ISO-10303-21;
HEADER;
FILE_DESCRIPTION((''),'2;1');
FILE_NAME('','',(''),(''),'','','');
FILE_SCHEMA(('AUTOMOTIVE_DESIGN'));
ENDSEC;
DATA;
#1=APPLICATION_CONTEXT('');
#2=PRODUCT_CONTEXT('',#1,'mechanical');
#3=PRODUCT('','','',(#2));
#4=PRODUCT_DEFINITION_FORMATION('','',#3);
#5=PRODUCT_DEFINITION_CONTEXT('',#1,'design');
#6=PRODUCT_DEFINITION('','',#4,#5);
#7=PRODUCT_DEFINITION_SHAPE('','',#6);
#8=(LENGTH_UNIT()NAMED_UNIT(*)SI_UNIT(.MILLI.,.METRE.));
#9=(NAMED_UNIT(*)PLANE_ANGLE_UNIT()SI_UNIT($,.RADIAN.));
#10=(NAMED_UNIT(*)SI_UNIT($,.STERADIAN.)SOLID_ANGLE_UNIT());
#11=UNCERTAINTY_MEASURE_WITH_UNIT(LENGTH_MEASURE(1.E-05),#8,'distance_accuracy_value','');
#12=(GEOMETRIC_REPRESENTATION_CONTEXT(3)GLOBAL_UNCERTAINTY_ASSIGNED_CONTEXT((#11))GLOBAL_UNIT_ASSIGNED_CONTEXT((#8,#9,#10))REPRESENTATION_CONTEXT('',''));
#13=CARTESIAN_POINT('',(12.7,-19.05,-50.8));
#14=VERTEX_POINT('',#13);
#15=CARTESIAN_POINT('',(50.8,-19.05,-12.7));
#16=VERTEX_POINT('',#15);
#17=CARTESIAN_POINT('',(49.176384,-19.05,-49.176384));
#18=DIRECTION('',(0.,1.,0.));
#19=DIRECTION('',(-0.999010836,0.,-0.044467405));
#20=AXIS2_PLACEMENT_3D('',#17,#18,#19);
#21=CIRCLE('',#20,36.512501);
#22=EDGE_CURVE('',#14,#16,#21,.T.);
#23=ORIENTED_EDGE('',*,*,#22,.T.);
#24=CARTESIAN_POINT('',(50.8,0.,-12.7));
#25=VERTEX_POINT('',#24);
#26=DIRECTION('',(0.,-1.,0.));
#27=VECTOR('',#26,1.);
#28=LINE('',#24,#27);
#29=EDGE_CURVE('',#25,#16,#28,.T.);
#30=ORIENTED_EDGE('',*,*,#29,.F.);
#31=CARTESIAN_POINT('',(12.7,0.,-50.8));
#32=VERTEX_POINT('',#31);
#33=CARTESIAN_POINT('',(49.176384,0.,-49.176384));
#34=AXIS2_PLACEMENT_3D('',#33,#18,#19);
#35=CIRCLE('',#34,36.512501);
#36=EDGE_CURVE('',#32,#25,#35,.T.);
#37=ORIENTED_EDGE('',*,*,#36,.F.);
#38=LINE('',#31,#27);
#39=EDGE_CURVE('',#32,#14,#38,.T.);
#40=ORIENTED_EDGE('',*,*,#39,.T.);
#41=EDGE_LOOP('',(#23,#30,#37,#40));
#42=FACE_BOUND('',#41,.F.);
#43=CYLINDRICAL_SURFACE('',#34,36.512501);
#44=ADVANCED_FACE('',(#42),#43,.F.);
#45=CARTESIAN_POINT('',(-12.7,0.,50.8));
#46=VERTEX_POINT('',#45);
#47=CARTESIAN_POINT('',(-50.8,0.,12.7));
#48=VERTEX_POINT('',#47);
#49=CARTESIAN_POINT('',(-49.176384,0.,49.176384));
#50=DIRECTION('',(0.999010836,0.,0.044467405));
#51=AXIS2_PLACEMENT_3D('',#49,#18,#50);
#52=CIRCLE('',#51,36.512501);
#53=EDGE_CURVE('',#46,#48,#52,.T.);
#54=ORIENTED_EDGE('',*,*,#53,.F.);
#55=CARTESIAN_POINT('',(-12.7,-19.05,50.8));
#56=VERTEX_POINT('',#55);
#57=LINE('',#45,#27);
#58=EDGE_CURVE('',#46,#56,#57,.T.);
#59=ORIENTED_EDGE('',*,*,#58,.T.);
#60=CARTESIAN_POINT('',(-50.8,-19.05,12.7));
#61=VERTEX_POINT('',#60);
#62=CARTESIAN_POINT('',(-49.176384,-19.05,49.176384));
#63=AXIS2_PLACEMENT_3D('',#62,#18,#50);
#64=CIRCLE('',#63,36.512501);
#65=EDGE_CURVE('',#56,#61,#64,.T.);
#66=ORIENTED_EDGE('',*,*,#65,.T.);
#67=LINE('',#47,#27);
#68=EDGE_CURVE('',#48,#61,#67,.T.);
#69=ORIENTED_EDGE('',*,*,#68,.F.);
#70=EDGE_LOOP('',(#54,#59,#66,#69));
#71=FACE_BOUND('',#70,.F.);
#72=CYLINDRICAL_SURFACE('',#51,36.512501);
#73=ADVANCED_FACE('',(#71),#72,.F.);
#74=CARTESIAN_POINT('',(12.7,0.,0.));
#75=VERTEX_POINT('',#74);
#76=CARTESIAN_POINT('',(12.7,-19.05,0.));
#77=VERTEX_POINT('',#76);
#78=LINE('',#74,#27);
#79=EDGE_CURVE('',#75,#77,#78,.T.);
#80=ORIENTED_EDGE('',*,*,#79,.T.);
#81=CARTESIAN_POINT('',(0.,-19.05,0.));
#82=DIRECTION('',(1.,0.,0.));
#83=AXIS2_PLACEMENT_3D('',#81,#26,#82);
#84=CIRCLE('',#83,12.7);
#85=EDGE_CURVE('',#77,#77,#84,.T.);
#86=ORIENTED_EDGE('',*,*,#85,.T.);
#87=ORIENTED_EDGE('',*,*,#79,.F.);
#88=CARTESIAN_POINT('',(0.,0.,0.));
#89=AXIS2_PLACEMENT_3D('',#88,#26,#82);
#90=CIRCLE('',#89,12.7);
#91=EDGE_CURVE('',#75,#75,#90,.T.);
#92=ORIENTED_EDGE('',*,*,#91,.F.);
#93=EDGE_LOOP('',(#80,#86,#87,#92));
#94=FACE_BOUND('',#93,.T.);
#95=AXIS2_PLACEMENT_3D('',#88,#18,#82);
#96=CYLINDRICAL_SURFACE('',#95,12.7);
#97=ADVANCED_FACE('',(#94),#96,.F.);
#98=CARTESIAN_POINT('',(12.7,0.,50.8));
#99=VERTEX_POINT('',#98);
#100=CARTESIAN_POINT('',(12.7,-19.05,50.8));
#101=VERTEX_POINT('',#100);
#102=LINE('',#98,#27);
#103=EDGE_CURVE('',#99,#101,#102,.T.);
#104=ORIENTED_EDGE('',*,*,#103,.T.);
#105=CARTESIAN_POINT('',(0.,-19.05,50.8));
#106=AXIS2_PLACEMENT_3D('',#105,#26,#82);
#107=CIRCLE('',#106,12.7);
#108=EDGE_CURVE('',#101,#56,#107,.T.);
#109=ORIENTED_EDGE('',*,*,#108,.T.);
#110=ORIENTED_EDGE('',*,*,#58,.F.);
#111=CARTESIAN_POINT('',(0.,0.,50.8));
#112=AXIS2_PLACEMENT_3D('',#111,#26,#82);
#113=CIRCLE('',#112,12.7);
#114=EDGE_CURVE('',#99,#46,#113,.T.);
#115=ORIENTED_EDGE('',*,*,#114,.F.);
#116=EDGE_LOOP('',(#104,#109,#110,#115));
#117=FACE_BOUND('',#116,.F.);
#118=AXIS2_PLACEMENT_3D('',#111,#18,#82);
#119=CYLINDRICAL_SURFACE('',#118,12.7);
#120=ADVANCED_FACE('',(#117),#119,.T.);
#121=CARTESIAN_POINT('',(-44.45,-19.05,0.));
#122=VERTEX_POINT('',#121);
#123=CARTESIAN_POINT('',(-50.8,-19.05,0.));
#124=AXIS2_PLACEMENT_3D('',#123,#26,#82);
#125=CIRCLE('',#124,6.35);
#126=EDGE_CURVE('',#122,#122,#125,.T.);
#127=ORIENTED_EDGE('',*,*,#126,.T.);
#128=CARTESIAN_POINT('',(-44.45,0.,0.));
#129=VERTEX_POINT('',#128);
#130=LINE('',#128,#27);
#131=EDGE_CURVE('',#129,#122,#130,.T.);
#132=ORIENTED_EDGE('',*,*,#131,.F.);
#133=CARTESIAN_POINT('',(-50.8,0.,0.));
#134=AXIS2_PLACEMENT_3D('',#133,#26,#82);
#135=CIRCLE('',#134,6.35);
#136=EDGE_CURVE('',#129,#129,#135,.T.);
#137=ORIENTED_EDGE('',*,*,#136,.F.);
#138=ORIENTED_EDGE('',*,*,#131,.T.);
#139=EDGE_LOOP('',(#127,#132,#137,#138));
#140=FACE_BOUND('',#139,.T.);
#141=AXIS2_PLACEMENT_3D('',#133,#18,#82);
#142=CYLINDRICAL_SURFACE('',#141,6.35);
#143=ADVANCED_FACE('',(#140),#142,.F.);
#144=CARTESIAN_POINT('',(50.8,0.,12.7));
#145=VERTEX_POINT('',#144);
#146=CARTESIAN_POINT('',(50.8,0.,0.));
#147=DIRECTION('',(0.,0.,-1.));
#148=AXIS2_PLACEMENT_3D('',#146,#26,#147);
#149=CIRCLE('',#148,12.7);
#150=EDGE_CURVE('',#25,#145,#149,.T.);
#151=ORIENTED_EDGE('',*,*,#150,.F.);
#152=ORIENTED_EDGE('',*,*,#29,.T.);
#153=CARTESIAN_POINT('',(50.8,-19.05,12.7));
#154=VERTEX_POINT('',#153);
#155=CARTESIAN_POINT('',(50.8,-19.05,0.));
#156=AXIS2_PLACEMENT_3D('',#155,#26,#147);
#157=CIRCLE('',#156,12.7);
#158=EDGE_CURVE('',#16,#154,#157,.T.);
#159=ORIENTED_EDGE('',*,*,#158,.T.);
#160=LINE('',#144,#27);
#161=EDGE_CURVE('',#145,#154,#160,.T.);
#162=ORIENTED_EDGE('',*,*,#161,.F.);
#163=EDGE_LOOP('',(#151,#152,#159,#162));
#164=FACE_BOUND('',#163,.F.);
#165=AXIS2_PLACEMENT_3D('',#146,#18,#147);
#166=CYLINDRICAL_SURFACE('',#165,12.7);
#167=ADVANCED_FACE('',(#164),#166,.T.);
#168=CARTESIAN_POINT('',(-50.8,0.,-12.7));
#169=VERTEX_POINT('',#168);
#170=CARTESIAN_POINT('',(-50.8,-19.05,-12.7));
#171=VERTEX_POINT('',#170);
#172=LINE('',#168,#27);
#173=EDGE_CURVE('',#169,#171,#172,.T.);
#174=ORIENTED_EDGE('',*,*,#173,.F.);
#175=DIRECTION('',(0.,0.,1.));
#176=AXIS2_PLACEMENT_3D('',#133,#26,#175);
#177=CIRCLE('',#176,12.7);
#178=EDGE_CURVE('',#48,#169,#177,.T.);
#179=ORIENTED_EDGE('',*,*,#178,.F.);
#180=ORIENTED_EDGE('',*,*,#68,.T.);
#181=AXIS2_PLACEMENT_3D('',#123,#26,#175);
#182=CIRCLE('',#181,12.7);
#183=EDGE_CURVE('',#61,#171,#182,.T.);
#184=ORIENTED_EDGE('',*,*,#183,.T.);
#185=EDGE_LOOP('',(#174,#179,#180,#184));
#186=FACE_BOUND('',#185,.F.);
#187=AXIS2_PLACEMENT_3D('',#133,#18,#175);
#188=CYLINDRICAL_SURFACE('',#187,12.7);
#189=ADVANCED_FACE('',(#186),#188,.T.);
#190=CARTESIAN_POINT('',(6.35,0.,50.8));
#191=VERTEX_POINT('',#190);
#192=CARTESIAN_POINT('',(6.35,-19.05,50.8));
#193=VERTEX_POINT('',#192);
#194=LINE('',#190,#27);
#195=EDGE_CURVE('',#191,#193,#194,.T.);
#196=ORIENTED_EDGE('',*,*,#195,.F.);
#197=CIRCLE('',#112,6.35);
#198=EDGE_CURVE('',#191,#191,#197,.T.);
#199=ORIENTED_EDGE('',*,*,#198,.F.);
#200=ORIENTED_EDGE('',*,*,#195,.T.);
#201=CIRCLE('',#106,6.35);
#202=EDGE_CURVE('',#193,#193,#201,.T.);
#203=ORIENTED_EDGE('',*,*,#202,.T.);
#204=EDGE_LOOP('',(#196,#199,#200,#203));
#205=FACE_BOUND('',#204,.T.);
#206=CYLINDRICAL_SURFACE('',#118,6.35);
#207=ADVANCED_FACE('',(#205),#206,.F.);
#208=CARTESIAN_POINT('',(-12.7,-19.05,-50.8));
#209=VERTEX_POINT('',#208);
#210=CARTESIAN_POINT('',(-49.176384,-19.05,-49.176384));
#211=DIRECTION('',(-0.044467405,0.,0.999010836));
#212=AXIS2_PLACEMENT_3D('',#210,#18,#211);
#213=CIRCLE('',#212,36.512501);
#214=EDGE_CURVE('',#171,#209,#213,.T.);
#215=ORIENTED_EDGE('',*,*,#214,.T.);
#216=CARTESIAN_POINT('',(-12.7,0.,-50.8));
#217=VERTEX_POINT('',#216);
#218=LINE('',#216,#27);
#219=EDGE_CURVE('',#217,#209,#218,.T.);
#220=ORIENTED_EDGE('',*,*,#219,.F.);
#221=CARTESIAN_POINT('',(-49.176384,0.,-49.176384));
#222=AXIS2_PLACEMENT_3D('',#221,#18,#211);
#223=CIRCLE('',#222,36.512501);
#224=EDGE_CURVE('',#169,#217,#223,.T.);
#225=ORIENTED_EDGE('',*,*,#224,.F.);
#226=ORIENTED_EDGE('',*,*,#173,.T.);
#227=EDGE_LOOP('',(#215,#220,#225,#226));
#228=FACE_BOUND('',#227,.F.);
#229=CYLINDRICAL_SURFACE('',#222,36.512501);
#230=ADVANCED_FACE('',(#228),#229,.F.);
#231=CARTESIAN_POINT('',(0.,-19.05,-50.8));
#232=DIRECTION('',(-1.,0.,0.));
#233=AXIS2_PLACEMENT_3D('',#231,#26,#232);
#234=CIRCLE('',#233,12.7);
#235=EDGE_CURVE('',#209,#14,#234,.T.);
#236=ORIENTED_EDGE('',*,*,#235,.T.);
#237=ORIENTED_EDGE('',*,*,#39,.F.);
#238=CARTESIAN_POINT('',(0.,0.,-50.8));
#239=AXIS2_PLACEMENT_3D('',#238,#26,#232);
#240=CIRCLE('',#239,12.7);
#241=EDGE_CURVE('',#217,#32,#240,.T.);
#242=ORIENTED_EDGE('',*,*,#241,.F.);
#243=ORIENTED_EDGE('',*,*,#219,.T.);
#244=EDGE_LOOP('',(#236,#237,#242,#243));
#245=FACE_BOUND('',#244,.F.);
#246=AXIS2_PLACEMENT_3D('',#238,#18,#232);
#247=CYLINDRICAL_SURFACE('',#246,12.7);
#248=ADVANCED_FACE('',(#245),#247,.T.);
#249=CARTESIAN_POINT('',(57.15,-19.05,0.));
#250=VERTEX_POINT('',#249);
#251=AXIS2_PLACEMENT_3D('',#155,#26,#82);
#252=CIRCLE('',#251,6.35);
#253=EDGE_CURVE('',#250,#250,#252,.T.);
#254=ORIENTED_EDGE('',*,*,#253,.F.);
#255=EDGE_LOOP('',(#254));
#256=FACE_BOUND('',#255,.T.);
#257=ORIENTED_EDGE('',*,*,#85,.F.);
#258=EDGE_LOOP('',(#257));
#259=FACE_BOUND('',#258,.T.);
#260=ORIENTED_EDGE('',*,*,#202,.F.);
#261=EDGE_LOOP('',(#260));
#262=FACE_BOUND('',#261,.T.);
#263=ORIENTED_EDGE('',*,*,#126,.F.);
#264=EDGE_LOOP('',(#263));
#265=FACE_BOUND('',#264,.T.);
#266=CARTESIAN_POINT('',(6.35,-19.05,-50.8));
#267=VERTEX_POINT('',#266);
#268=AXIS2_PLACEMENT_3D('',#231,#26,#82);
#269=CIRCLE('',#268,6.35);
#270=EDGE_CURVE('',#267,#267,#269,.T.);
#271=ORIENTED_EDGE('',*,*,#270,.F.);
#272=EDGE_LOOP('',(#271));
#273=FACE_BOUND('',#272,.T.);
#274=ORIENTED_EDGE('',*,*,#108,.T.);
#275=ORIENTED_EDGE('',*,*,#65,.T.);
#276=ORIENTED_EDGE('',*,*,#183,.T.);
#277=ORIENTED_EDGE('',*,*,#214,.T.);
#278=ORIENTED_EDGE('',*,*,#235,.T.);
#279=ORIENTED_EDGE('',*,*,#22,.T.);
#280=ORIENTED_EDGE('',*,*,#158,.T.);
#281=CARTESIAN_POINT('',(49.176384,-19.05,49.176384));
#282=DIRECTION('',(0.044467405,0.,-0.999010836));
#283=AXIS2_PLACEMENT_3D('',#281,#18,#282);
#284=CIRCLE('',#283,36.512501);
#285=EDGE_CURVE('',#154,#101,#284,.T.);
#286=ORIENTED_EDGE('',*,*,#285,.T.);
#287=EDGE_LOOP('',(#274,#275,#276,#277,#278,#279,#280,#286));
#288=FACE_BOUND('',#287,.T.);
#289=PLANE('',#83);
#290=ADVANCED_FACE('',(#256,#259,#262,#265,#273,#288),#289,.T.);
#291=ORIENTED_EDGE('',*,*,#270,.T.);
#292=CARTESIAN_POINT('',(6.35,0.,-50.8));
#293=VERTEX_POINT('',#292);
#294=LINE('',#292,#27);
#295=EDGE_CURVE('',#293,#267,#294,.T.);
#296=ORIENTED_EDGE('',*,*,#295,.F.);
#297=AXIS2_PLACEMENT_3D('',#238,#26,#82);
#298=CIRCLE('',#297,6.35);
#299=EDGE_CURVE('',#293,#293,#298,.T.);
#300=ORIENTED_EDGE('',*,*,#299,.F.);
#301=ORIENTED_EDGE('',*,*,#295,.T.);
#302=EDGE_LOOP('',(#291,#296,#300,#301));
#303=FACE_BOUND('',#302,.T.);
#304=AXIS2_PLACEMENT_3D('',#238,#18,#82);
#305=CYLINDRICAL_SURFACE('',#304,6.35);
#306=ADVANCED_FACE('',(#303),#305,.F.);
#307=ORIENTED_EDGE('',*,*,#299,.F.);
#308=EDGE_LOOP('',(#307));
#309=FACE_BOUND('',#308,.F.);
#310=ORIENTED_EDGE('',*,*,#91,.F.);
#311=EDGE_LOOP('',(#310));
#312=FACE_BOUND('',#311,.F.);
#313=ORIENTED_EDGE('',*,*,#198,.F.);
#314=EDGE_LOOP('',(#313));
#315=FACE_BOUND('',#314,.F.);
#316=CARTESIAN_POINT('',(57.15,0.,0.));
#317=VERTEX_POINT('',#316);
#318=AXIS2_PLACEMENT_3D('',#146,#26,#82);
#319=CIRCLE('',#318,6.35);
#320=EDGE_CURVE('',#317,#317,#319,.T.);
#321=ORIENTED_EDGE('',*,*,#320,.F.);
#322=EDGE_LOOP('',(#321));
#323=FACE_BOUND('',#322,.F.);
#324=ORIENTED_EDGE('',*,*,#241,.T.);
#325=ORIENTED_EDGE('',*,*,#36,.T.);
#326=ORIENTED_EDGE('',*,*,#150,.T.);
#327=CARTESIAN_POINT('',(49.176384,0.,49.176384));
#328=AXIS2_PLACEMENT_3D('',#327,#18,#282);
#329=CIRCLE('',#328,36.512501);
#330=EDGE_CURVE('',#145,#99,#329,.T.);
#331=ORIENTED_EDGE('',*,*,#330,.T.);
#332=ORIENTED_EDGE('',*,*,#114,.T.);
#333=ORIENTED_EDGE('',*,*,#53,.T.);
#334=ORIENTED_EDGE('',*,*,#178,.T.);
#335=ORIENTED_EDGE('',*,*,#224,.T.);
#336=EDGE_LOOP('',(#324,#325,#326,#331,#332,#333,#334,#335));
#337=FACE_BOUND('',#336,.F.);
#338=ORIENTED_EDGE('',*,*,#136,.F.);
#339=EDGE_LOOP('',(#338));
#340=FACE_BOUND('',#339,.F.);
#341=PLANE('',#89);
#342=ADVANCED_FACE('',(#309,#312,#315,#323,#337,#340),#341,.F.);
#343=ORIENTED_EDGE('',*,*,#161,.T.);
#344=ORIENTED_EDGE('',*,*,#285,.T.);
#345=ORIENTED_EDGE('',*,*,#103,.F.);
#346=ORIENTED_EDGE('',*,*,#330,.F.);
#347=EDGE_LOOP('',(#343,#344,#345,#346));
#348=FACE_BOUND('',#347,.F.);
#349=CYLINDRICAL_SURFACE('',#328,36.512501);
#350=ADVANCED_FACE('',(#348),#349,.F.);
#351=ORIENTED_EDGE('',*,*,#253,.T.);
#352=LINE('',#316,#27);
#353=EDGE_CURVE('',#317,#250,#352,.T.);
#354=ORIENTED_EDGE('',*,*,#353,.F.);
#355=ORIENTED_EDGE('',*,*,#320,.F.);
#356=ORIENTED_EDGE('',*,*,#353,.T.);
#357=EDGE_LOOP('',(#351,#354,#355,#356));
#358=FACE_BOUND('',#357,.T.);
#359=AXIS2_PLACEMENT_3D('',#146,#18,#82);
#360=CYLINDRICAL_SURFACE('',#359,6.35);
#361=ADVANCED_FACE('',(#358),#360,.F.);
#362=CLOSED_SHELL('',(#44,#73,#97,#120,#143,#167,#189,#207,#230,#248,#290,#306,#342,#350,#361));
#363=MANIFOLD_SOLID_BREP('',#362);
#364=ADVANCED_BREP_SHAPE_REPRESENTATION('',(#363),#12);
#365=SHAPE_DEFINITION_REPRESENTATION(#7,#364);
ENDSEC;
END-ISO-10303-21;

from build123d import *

# Parameters (mm, degrees)
F0_R     = 6.35
F0_R_2   = 12.7
F1_DEPTH = 19.05


with BuildPart() as f1:
    # F0 (on Front) → F1 (new body)
    with BuildSketch(Plane.XZ):
        with BuildLine():
            ThreePointArc((50.8, 12.7), (23.358147, 23.358147), (12.7, 50.8))
            ThreePointArc((12.7, 50.8), (0, 63.5), (-12.7, 50.8))
            ThreePointArc((-12.7, 50.8), (-23.358147, 23.358147), (-50.8, 12.7))
            ThreePointArc((-50.8, 12.7), (-63.5, 0), (-50.8, -12.7))
            ThreePointArc((-50.8, -12.7), (-23.358147, -23.358147), (-12.7, -50.8))
            ThreePointArc((-12.7, -50.8), (0, -63.5), (12.7, -50.8))
            ThreePointArc((12.7, -50.8), (23.358147, -23.358147), (50.8, -12.7))
            ThreePointArc((50.8, -12.7), (63.5, 0), (50.8, 12.7))
        make_face()
        with Locations((0, -50.8)):
            Circle(F0_R, mode=Mode.SUBTRACT)
        with Locations((-50.8, 0)):
            Circle(F0_R, mode=Mode.SUBTRACT)
        Circle(F0_R_2, mode=Mode.SUBTRACT)
        with Locations((50.8, 0)):
            Circle(F0_R, mode=Mode.SUBTRACT)
        with Locations((0, 50.8)):
            Circle(F0_R, mode=Mode.SUBTRACT)
    extrude(amount=F1_DEPTH)


solid = f1.part
